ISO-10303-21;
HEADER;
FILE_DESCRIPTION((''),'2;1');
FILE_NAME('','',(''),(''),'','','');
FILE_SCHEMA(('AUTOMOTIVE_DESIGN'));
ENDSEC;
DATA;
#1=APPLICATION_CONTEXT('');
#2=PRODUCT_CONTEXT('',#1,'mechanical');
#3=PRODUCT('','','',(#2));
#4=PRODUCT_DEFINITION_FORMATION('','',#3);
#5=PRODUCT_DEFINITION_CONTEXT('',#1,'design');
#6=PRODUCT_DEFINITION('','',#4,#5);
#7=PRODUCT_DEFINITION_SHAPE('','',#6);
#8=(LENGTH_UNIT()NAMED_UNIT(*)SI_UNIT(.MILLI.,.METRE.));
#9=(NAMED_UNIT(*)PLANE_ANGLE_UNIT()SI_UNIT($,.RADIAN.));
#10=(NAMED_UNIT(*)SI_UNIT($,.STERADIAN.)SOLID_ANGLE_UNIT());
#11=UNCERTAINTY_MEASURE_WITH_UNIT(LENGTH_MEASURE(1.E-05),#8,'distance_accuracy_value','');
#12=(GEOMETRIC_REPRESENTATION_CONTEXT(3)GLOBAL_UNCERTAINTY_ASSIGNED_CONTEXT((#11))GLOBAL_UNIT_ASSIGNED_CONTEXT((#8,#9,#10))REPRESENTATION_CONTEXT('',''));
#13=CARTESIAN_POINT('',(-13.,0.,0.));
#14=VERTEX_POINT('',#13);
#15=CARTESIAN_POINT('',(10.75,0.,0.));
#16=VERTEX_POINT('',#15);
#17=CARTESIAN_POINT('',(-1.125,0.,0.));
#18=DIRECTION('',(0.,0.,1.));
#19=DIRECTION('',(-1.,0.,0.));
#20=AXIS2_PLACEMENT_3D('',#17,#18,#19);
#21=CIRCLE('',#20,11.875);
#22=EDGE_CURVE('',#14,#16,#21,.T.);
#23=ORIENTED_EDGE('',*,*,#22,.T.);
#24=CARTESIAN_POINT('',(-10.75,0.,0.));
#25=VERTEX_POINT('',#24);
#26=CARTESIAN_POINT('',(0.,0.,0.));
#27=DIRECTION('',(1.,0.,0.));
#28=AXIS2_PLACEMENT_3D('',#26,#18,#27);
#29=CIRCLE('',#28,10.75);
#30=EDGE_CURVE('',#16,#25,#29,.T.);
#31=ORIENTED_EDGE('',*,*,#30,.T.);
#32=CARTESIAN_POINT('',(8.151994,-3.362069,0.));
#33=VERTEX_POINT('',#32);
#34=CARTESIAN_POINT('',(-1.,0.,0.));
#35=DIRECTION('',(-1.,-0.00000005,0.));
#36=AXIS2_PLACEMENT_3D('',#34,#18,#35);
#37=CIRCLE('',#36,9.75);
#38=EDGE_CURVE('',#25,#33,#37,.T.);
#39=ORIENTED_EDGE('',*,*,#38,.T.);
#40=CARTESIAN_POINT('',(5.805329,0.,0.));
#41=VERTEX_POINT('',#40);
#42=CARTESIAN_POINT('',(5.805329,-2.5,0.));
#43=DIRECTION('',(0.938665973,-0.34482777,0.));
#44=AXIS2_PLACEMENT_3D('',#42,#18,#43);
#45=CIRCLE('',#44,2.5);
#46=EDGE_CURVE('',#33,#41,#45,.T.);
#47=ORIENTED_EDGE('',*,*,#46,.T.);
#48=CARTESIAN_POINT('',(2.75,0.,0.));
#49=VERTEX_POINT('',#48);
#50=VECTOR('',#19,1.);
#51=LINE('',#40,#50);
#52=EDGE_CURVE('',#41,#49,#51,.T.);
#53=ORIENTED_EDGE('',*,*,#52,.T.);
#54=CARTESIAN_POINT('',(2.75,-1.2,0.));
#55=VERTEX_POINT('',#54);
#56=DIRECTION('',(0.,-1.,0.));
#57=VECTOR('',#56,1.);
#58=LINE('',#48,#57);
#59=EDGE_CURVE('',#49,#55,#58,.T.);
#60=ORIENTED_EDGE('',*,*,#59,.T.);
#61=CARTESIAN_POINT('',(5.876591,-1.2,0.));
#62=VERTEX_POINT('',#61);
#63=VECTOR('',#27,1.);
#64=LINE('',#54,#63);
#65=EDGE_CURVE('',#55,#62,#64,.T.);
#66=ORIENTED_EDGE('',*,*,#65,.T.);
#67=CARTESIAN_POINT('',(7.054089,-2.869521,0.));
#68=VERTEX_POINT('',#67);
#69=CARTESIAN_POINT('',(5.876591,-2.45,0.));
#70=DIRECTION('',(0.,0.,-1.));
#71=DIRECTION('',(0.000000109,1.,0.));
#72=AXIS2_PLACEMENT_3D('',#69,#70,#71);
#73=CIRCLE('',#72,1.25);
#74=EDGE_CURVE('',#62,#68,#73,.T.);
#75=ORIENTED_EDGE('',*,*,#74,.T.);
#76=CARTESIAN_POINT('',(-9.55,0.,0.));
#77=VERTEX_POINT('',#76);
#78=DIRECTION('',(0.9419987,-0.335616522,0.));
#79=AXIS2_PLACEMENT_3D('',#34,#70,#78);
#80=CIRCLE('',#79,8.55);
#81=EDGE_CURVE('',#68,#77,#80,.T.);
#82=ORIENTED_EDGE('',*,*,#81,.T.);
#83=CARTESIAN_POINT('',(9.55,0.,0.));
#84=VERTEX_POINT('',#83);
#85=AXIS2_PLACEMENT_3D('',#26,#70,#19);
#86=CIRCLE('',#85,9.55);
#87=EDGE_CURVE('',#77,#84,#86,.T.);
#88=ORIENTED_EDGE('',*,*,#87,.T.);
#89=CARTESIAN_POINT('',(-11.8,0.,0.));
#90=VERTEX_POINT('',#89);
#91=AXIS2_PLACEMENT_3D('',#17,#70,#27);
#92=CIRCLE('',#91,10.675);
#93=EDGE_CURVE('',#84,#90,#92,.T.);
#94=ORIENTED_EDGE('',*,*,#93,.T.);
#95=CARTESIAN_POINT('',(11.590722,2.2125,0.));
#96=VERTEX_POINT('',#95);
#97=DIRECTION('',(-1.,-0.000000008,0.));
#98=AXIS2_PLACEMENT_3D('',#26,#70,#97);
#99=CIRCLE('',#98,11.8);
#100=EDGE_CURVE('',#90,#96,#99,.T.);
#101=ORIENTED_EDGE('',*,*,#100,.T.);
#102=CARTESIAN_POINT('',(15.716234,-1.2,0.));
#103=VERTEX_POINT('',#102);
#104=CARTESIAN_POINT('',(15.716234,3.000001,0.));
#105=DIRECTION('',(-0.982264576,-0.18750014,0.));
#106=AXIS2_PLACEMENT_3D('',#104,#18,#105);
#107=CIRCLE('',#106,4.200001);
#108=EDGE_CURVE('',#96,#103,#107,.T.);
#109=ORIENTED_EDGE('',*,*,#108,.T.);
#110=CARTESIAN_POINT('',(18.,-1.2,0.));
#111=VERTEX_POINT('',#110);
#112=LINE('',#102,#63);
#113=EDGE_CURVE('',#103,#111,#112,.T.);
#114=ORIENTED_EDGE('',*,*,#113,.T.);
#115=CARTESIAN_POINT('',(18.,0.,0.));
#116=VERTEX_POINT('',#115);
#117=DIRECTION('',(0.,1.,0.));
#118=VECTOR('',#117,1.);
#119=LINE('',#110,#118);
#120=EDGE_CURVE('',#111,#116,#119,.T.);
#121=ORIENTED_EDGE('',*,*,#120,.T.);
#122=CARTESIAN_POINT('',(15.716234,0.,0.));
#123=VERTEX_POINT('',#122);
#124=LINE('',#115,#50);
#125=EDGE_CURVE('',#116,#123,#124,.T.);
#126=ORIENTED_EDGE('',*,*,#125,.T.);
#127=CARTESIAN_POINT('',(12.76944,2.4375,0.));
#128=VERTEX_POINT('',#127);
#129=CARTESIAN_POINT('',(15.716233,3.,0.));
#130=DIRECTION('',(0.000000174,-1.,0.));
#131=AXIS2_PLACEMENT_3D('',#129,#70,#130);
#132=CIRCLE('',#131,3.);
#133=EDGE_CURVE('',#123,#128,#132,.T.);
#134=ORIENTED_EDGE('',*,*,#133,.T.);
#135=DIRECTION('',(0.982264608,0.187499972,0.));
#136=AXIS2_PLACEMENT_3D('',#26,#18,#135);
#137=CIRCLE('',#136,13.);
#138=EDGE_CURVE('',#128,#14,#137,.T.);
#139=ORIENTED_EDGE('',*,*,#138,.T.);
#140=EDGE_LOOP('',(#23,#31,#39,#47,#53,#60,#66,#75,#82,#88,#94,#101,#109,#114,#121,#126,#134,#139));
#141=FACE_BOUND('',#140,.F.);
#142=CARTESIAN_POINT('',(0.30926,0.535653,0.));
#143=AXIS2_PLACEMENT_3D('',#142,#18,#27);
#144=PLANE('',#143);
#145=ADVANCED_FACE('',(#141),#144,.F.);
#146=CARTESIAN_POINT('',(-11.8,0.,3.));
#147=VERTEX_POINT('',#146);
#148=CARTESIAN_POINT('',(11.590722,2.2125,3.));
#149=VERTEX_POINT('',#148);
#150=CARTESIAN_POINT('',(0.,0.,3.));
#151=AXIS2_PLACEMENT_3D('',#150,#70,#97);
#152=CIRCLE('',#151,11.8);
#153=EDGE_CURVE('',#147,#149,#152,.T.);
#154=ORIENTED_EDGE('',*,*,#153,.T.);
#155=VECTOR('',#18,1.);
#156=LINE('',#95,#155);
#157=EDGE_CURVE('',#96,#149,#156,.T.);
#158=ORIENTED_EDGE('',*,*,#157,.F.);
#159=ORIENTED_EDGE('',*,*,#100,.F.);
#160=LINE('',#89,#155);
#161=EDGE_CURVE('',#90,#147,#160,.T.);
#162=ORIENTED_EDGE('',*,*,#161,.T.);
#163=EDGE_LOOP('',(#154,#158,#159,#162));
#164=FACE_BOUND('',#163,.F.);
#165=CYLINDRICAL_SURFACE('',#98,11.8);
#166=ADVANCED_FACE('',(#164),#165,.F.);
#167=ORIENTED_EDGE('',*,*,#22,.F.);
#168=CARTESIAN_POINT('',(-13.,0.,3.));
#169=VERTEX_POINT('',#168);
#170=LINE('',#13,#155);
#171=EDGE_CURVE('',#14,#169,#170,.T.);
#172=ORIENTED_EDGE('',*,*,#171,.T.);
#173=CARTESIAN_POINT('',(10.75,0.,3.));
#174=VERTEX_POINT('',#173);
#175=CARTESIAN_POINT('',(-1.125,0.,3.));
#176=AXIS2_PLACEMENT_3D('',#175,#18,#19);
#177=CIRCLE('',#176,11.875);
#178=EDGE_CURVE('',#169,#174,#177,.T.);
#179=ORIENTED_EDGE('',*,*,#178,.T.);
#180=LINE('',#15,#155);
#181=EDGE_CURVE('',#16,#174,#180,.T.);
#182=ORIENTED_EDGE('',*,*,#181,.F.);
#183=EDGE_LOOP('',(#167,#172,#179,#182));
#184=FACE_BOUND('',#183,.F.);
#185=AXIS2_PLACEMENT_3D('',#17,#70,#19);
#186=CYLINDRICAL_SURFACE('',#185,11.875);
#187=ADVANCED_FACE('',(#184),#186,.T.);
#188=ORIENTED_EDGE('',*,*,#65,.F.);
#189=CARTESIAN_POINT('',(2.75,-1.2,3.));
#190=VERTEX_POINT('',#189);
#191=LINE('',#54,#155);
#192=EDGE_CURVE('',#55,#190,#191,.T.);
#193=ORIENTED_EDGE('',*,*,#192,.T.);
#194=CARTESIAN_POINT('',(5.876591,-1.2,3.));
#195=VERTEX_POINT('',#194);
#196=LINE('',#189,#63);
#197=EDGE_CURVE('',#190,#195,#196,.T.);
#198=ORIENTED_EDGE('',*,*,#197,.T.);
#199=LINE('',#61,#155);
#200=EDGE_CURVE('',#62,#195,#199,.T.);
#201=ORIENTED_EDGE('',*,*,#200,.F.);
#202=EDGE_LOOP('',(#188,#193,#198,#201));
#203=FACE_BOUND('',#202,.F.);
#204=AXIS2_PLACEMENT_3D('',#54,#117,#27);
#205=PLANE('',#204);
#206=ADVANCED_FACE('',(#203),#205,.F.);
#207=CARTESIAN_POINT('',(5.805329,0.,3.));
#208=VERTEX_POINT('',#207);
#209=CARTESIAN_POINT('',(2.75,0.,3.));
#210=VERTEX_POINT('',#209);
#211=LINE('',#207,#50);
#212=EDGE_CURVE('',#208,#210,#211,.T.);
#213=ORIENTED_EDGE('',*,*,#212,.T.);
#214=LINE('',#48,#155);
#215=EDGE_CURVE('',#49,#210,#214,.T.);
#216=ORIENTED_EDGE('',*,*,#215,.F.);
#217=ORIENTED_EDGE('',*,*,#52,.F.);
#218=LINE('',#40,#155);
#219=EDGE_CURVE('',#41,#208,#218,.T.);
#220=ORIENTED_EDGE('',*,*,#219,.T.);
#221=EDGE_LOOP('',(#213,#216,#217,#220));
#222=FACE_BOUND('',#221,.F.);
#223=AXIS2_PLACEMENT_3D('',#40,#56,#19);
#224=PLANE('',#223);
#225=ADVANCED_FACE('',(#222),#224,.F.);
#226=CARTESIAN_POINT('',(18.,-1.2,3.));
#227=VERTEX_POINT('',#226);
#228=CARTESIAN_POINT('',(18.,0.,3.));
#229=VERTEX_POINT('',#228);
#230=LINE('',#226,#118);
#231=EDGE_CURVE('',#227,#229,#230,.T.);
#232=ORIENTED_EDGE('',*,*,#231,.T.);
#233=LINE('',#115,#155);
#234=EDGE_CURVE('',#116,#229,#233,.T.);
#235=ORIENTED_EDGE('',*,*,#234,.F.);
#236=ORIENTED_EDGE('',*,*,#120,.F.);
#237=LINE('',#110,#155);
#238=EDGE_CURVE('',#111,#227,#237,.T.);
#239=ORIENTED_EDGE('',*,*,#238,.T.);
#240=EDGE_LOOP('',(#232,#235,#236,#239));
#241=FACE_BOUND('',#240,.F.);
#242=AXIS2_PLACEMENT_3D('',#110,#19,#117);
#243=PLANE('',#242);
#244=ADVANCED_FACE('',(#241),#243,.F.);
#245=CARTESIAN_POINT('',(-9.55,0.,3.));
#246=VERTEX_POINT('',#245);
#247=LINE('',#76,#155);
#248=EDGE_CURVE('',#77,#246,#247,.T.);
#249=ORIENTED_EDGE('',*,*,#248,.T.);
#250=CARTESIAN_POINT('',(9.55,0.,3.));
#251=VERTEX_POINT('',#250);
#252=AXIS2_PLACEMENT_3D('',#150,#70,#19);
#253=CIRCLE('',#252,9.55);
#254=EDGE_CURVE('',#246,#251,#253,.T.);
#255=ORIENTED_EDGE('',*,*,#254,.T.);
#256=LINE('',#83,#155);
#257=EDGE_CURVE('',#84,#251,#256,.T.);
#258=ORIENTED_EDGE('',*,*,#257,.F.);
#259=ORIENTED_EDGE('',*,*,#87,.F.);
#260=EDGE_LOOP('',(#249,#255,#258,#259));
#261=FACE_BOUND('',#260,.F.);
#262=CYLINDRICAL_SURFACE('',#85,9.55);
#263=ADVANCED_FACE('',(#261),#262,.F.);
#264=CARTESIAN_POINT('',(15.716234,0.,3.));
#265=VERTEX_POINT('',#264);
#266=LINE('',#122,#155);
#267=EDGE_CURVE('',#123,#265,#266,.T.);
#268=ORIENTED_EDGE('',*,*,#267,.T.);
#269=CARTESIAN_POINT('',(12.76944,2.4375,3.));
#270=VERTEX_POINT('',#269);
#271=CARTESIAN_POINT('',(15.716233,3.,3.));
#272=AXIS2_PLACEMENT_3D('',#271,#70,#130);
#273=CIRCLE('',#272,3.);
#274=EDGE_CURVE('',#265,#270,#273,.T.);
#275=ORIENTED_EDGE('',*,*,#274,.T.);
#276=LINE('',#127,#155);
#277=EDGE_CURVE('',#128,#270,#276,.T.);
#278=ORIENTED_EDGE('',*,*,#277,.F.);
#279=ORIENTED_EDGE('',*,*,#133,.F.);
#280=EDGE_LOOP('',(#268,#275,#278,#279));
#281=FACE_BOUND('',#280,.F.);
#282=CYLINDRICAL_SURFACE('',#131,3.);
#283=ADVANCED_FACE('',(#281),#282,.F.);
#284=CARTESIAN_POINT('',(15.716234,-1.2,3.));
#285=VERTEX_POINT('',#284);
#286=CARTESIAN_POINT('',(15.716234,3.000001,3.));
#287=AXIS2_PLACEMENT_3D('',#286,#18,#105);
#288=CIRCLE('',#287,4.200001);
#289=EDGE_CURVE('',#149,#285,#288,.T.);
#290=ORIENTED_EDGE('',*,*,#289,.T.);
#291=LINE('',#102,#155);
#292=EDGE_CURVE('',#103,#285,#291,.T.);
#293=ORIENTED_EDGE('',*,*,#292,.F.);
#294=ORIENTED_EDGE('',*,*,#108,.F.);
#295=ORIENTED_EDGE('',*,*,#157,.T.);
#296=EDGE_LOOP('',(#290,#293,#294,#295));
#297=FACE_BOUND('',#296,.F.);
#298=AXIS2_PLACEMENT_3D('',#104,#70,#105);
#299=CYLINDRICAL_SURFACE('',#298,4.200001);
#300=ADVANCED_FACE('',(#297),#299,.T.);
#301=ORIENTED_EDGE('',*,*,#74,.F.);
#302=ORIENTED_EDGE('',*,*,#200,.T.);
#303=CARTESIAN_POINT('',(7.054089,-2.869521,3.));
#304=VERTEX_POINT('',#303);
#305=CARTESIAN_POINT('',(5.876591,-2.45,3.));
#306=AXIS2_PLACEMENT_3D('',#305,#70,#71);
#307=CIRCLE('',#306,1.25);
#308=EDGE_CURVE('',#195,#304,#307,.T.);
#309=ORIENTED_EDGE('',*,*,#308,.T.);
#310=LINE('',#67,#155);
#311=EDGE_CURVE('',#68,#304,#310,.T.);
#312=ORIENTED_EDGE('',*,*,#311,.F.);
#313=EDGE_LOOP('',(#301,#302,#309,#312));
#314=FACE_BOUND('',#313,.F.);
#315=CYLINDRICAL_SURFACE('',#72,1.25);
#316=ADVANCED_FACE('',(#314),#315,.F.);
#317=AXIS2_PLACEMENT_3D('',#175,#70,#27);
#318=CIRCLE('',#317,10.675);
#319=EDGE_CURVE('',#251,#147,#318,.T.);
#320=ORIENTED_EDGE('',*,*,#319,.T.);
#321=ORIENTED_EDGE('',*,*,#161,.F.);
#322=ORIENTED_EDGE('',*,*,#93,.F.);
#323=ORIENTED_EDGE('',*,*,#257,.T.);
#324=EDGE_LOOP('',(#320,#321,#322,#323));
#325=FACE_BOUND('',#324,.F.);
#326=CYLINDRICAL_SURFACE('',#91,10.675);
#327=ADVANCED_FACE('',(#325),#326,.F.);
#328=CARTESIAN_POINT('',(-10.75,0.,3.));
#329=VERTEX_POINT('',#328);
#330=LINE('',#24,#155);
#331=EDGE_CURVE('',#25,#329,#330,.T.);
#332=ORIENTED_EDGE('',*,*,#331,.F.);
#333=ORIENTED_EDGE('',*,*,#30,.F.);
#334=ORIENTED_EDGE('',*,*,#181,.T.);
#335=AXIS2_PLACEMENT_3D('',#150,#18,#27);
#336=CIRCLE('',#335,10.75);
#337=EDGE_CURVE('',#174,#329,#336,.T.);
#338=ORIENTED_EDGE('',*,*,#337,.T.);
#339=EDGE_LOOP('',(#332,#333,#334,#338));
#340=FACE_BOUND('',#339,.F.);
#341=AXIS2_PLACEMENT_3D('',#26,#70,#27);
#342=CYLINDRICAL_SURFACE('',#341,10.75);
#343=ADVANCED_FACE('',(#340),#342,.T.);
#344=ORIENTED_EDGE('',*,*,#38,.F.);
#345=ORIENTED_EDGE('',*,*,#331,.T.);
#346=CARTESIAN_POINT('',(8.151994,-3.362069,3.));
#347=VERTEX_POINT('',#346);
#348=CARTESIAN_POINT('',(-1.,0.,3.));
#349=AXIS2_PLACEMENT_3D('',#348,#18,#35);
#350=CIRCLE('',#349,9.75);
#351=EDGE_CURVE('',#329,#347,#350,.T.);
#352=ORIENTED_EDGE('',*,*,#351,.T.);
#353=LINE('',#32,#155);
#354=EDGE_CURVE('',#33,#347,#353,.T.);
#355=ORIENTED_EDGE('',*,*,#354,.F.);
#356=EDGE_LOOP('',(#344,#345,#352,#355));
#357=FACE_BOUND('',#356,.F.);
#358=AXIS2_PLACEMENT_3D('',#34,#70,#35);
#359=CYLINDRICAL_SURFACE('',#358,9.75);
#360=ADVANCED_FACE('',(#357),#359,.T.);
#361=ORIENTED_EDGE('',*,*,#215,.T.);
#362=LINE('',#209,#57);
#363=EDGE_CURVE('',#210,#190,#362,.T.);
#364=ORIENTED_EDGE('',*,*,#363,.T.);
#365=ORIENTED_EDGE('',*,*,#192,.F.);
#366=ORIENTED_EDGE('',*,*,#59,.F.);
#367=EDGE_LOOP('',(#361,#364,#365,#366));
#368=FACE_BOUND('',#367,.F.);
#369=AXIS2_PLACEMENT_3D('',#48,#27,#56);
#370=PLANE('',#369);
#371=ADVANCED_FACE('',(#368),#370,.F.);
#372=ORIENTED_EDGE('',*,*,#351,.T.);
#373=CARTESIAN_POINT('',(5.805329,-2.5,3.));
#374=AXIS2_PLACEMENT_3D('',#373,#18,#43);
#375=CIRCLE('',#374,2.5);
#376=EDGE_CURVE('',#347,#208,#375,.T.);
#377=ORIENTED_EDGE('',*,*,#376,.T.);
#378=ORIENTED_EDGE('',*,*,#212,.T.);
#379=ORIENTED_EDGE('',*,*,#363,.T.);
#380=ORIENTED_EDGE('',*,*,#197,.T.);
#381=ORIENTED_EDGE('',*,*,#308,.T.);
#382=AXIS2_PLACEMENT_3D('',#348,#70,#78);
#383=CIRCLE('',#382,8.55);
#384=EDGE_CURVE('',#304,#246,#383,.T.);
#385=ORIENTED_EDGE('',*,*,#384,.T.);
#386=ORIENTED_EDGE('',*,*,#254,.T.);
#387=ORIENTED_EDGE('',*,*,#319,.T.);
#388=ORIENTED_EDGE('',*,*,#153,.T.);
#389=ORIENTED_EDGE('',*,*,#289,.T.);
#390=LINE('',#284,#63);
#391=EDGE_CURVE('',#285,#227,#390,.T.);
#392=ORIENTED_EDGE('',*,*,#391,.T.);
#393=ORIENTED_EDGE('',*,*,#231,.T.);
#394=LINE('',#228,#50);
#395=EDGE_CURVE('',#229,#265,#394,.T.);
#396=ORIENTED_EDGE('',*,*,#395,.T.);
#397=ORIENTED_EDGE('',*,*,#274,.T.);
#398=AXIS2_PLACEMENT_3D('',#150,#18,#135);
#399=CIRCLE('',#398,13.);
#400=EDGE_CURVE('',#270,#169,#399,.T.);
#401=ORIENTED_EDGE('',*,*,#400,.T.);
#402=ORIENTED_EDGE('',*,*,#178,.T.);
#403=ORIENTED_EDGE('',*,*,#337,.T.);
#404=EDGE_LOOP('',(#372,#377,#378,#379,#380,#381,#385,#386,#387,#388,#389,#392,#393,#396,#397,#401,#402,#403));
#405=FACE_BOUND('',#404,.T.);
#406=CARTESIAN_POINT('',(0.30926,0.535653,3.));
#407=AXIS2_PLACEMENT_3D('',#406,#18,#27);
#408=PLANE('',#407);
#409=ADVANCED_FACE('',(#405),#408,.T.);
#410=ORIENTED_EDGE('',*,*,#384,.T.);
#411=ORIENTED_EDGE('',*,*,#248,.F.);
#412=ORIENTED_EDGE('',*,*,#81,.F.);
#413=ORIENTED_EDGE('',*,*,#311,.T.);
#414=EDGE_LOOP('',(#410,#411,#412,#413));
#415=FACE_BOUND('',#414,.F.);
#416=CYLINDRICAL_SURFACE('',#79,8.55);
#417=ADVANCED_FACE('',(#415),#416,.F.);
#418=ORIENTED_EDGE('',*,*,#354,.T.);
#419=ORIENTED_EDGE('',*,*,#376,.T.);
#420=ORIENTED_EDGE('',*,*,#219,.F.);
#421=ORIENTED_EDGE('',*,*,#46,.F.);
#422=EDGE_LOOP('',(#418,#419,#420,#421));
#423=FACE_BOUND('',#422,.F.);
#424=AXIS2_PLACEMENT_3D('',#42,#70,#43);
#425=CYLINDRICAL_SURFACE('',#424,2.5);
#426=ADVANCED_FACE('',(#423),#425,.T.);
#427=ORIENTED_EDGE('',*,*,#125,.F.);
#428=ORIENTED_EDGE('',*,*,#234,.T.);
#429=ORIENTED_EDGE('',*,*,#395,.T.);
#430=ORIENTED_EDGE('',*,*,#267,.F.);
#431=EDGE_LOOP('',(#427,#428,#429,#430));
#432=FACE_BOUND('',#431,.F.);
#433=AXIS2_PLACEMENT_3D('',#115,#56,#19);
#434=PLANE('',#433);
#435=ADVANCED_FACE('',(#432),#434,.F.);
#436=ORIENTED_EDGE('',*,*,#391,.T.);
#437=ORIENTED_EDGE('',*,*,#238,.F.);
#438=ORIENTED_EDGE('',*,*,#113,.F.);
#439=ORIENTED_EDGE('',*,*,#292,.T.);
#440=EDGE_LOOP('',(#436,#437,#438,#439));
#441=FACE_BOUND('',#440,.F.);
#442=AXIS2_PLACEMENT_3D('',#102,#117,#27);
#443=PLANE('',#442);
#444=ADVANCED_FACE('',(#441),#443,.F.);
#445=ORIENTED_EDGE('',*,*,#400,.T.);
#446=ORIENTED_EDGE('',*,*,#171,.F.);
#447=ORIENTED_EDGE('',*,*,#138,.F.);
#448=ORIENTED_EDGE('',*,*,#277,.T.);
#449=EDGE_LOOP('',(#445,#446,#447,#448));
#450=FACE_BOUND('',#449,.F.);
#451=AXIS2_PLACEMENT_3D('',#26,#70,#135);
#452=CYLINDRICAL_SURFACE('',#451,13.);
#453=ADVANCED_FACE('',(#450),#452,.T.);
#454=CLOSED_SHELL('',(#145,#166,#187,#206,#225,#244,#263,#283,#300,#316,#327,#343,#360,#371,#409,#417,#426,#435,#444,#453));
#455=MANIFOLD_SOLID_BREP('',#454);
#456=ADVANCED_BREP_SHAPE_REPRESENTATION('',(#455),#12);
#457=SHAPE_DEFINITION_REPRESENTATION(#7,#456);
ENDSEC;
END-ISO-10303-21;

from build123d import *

# Parameters (mm, degrees)
F1_DEPTH = 3


with BuildPart() as f1:
    # F0 (on Top) → F1 (new body)
    with BuildSketch(Plane.XY):
        with BuildLine():
            ThreePointArc((15.716234, 0), (13.804101, 0.688345), (12.76944, 2.4375))
            ThreePointArc((12.76944, 2.4375), (-1.22419, 12.942232), (-13, 0))
            ThreePointArc((-13, 0), (-1.125, -11.875), (10.75, 0))
            ThreePointArc((10.75, 0), (0, 10.75), (-10.75, 0))
            ThreePointArc((-10.75, 0), (-2.707419, -9.599334), (8.151994, -3.362069))
            ThreePointArc((8.151994, -3.362069), (7.85535, -1.069121), (5.805329, 0))
            Line((5.805329, 0), (2.75, 0))
            Line((2.75, 0), (2.75, -1.2))
            Line((2.75, -1.2), (5.876591, -1.2))
            ThreePointArc((5.876591, -1.2), (6.898085, -1.729549), (7.054089, -2.869521))
            ThreePointArc((7.054089, -2.869521), (-2.456028, -8.42511), (-9.55, 0))
            ThreePointArc((-9.55, 0), (0, 9.55), (9.55, 0))
            ThreePointArc((9.55, 0), (-1.125, -10.675), (-11.8, 0))
            ThreePointArc((-11.8, 0), (-1.111188, 11.747564), (11.590722, 2.2125))
            ThreePointArc((11.590722, 2.2125), (13.039248, -0.236317), (15.716234, -1.2))
            Line((15.716234, -1.2), (18, -1.2))
            Line((18, -1.2), (18, 0))
            Line((18, 0), (15.716234, 0))
        make_face()
    extrude(amount=F1_DEPTH)


solid = f1.part
